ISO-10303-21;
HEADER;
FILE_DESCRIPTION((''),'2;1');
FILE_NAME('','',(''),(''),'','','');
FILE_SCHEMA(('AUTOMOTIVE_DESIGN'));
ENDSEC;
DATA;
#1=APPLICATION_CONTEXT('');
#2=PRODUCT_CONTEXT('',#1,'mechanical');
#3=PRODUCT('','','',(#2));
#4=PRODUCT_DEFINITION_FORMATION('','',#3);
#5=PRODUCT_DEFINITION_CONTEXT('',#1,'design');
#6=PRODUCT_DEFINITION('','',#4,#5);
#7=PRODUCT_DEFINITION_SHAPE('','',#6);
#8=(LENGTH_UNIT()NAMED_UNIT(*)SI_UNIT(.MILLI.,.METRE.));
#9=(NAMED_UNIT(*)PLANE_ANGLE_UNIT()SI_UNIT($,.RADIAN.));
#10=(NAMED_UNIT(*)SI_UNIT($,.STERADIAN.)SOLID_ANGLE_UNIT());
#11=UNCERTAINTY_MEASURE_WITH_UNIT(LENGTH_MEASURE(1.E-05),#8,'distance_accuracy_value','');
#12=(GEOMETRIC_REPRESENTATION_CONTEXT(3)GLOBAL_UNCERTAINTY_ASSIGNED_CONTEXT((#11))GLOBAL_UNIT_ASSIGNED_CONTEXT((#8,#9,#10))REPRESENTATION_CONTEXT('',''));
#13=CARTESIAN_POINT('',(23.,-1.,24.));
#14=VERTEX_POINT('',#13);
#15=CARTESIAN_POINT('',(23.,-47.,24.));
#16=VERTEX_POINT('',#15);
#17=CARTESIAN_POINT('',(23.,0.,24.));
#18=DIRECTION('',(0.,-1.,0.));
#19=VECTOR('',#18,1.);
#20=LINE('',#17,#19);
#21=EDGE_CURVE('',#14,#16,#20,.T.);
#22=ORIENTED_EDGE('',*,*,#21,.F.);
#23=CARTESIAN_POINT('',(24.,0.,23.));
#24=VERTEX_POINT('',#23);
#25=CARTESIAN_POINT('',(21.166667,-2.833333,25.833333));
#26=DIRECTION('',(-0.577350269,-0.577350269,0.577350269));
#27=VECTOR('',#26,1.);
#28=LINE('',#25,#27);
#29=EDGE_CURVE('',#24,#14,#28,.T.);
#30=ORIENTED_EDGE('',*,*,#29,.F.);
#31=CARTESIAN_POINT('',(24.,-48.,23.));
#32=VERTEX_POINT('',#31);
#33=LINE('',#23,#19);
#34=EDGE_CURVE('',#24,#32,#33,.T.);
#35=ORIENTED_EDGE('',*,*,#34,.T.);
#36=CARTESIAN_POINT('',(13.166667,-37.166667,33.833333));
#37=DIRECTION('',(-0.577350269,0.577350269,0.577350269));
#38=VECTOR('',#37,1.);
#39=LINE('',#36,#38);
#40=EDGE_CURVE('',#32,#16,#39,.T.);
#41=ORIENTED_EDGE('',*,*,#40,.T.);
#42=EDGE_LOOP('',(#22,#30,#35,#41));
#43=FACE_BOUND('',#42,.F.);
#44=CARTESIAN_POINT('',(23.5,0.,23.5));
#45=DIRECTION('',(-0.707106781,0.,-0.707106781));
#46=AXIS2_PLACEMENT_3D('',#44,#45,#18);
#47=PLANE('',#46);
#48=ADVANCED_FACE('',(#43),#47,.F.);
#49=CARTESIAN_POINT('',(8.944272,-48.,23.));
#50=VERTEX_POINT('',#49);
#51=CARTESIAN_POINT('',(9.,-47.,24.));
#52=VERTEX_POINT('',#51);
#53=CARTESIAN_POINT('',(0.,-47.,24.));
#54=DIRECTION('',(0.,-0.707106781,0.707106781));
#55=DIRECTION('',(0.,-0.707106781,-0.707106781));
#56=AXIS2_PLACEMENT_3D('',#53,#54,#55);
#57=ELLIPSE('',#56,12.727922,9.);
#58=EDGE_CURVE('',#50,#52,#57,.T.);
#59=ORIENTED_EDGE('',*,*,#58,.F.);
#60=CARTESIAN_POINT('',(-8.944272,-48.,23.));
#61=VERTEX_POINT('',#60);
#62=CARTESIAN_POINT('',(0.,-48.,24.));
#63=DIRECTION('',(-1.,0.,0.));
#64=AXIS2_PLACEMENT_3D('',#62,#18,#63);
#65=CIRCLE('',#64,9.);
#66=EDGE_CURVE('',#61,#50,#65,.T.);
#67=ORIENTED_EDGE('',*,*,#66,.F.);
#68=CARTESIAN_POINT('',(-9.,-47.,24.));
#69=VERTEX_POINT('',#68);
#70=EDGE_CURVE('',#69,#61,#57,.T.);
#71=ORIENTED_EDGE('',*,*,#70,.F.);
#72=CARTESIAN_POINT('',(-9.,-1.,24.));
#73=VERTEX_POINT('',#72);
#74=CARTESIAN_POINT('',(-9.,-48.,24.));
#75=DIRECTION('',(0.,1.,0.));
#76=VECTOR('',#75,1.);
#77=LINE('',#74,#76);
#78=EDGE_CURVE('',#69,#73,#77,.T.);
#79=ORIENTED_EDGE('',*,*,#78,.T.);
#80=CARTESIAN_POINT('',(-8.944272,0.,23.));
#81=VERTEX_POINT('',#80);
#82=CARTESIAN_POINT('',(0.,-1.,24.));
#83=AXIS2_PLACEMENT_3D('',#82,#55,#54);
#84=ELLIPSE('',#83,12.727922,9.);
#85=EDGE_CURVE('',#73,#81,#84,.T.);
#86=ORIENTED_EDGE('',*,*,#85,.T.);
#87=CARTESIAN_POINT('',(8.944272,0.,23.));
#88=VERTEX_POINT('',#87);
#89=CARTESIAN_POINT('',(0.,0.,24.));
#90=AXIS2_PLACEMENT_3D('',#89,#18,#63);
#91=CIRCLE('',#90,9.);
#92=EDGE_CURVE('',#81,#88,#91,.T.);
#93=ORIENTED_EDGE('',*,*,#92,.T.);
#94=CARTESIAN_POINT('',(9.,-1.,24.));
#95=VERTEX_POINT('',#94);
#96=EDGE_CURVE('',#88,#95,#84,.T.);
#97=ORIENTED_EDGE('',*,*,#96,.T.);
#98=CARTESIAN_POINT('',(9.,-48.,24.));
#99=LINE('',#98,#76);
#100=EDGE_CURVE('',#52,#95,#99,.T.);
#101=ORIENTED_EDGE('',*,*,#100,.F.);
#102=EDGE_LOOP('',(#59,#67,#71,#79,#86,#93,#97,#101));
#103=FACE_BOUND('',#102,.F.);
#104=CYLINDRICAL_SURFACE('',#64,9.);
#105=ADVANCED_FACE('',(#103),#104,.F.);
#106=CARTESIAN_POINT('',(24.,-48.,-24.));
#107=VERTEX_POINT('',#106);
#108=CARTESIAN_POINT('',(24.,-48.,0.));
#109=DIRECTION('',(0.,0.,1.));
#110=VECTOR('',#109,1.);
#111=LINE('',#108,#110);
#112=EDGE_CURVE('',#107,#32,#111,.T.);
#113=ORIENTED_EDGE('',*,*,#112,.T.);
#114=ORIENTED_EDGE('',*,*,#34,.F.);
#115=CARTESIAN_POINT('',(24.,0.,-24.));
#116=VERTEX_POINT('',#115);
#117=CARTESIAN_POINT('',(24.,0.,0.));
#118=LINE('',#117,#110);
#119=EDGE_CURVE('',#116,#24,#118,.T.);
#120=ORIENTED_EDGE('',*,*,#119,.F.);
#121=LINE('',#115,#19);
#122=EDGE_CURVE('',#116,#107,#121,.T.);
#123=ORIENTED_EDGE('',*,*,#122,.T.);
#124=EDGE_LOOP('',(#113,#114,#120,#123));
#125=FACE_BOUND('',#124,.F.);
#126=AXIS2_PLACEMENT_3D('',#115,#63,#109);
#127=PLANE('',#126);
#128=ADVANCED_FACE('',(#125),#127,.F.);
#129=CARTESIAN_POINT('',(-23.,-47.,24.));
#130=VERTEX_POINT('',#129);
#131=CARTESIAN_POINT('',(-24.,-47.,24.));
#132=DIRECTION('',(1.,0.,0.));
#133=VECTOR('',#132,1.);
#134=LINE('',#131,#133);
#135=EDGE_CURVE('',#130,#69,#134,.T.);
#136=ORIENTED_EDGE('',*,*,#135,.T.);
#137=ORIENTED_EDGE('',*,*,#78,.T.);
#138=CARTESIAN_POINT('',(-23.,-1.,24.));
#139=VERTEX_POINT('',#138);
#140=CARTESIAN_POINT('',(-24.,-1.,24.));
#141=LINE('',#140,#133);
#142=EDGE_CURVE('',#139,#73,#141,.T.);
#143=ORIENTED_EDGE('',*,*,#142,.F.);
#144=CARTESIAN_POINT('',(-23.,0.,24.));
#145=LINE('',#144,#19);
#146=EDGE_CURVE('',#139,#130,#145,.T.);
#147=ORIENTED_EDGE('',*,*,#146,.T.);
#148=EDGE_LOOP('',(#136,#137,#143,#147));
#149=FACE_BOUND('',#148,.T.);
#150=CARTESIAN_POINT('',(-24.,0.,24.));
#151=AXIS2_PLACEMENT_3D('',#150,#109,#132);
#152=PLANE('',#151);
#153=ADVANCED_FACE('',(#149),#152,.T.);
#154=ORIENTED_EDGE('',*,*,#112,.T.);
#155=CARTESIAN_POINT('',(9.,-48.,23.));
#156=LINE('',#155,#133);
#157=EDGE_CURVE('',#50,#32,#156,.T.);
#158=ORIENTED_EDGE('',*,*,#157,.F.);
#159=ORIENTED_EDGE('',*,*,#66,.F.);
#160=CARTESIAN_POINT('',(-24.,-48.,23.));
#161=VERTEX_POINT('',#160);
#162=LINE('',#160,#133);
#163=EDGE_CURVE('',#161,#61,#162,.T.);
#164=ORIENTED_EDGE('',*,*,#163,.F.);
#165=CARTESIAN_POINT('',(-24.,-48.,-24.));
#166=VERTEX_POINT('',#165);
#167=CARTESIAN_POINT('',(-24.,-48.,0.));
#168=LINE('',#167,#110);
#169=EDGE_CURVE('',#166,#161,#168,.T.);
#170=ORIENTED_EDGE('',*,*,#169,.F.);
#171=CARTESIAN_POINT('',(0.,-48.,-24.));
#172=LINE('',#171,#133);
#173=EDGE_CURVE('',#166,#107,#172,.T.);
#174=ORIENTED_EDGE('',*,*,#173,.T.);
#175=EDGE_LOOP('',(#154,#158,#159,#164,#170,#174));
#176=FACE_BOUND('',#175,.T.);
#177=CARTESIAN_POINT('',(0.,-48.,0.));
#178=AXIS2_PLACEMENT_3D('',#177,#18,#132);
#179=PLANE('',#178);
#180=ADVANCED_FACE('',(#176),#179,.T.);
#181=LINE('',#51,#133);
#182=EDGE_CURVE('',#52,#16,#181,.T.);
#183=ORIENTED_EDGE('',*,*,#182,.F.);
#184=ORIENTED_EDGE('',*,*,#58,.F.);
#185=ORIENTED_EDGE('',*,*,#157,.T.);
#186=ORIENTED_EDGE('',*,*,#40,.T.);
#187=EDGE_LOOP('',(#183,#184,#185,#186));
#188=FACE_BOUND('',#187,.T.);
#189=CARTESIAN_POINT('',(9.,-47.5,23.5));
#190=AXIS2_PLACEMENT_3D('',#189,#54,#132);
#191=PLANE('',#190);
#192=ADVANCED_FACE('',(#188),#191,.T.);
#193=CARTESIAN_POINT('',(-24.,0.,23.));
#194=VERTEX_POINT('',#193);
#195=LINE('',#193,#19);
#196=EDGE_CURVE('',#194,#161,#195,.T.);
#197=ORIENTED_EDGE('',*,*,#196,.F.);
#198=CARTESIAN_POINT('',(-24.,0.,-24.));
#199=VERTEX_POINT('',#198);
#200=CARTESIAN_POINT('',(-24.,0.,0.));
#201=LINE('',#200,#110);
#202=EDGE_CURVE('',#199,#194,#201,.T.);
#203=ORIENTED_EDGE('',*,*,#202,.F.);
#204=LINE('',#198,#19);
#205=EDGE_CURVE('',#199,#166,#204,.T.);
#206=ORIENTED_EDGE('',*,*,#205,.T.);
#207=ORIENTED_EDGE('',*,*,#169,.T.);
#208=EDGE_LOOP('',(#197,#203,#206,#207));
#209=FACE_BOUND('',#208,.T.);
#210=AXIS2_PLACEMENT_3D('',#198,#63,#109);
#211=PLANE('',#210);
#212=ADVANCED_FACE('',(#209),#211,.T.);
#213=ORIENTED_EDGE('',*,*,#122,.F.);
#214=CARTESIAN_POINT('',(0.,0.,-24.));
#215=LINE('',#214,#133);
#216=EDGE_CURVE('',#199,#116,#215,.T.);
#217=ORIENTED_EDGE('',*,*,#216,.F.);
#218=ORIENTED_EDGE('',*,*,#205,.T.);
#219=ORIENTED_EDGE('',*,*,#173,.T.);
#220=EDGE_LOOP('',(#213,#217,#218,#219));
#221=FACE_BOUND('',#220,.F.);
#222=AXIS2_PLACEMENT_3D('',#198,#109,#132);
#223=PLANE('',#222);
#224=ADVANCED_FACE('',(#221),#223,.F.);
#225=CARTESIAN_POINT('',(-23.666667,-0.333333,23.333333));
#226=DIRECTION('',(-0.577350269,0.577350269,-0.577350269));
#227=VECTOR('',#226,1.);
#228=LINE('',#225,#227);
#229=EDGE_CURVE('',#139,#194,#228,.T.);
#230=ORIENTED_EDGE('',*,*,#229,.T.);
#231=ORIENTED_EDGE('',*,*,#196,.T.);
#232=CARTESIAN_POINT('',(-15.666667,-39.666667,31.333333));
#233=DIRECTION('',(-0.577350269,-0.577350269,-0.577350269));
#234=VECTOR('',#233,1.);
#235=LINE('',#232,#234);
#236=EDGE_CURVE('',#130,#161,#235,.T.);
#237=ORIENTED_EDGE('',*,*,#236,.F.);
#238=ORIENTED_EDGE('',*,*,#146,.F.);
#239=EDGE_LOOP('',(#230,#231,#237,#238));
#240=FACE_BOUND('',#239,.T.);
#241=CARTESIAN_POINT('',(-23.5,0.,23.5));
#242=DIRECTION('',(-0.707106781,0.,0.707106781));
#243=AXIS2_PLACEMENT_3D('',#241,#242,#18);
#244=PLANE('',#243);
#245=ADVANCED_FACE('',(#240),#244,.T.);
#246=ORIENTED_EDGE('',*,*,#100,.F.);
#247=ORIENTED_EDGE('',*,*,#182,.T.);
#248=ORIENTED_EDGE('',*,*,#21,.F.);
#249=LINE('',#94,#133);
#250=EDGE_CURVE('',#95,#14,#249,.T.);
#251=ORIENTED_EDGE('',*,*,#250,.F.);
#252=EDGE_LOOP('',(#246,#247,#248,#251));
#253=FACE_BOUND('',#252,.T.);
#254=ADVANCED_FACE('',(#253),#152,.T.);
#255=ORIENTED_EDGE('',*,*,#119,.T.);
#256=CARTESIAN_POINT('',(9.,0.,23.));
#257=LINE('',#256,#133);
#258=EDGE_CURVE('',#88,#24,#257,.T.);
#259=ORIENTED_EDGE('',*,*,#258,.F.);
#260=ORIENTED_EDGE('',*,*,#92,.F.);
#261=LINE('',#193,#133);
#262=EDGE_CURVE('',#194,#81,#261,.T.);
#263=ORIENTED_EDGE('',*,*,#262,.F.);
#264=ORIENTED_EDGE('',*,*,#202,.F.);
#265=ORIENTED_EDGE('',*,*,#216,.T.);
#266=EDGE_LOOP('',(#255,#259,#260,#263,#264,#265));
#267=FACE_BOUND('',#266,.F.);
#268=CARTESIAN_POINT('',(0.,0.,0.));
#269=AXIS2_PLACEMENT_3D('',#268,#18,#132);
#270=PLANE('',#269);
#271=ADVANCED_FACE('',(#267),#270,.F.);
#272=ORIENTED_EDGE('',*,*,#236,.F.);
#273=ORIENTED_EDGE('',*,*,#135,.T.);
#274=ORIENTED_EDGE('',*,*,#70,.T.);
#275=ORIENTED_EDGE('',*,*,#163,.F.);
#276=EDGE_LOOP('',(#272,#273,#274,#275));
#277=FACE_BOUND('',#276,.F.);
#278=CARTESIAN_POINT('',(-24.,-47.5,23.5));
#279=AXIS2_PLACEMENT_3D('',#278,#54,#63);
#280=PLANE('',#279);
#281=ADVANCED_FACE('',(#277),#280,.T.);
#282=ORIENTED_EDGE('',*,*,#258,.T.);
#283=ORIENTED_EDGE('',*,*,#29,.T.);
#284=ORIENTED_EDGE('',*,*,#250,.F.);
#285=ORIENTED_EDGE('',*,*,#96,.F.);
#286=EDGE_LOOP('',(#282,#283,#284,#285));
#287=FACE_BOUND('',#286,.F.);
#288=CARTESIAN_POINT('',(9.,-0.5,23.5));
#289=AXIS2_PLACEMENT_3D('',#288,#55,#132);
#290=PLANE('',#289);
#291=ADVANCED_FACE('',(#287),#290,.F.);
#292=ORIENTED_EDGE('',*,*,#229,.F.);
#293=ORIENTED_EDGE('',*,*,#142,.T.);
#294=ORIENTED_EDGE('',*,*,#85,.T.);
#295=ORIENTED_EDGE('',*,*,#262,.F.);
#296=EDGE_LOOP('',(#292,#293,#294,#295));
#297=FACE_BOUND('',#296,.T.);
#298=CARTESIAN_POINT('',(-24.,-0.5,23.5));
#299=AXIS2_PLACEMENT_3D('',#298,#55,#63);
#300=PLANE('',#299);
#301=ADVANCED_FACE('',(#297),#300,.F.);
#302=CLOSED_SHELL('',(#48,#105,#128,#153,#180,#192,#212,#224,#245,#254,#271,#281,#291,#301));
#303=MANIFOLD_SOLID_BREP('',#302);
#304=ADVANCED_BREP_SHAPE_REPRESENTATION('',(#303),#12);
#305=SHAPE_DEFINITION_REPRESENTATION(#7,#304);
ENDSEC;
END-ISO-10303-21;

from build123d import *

# Parameters (mm, degrees)
F0_W     = 48
F0_H     = 48
F1_DEPTH = 48
F3_DEPTH = 48
F4_SIZE  = 1


with BuildPart() as f1:
    # F0 (on Front) → F1 (new body)
    with BuildSketch(Plane.XZ):
        Rectangle(F0_W, F0_H)
    extrude(amount=F1_DEPTH)

    # F2 (on face) → F3 (cut)
    with BuildSketch(Plane.XZ.offset(48)):
        with BuildLine():
            ThreePointArc((-9, 24), (0, 15), (9, 24))
            Line((9, 24), (-9, 24))
        make_face()
    extrude(amount=-F3_DEPTH, mode=Mode.SUBTRACT)

    # F4
    f4_edges = [f1.edges().sort_by_distance(p)[0] for p in [
        (16.5, -48, 24),
        (-16.5, -48, 24),
        (24, -24, 24),
        (16.5, 0, 24),
        (-16.5, 0, 24),
        (-24, -24, 24),
    ]]
    chamfer(f4_edges, length=F4_SIZE)


solid = f1.part
